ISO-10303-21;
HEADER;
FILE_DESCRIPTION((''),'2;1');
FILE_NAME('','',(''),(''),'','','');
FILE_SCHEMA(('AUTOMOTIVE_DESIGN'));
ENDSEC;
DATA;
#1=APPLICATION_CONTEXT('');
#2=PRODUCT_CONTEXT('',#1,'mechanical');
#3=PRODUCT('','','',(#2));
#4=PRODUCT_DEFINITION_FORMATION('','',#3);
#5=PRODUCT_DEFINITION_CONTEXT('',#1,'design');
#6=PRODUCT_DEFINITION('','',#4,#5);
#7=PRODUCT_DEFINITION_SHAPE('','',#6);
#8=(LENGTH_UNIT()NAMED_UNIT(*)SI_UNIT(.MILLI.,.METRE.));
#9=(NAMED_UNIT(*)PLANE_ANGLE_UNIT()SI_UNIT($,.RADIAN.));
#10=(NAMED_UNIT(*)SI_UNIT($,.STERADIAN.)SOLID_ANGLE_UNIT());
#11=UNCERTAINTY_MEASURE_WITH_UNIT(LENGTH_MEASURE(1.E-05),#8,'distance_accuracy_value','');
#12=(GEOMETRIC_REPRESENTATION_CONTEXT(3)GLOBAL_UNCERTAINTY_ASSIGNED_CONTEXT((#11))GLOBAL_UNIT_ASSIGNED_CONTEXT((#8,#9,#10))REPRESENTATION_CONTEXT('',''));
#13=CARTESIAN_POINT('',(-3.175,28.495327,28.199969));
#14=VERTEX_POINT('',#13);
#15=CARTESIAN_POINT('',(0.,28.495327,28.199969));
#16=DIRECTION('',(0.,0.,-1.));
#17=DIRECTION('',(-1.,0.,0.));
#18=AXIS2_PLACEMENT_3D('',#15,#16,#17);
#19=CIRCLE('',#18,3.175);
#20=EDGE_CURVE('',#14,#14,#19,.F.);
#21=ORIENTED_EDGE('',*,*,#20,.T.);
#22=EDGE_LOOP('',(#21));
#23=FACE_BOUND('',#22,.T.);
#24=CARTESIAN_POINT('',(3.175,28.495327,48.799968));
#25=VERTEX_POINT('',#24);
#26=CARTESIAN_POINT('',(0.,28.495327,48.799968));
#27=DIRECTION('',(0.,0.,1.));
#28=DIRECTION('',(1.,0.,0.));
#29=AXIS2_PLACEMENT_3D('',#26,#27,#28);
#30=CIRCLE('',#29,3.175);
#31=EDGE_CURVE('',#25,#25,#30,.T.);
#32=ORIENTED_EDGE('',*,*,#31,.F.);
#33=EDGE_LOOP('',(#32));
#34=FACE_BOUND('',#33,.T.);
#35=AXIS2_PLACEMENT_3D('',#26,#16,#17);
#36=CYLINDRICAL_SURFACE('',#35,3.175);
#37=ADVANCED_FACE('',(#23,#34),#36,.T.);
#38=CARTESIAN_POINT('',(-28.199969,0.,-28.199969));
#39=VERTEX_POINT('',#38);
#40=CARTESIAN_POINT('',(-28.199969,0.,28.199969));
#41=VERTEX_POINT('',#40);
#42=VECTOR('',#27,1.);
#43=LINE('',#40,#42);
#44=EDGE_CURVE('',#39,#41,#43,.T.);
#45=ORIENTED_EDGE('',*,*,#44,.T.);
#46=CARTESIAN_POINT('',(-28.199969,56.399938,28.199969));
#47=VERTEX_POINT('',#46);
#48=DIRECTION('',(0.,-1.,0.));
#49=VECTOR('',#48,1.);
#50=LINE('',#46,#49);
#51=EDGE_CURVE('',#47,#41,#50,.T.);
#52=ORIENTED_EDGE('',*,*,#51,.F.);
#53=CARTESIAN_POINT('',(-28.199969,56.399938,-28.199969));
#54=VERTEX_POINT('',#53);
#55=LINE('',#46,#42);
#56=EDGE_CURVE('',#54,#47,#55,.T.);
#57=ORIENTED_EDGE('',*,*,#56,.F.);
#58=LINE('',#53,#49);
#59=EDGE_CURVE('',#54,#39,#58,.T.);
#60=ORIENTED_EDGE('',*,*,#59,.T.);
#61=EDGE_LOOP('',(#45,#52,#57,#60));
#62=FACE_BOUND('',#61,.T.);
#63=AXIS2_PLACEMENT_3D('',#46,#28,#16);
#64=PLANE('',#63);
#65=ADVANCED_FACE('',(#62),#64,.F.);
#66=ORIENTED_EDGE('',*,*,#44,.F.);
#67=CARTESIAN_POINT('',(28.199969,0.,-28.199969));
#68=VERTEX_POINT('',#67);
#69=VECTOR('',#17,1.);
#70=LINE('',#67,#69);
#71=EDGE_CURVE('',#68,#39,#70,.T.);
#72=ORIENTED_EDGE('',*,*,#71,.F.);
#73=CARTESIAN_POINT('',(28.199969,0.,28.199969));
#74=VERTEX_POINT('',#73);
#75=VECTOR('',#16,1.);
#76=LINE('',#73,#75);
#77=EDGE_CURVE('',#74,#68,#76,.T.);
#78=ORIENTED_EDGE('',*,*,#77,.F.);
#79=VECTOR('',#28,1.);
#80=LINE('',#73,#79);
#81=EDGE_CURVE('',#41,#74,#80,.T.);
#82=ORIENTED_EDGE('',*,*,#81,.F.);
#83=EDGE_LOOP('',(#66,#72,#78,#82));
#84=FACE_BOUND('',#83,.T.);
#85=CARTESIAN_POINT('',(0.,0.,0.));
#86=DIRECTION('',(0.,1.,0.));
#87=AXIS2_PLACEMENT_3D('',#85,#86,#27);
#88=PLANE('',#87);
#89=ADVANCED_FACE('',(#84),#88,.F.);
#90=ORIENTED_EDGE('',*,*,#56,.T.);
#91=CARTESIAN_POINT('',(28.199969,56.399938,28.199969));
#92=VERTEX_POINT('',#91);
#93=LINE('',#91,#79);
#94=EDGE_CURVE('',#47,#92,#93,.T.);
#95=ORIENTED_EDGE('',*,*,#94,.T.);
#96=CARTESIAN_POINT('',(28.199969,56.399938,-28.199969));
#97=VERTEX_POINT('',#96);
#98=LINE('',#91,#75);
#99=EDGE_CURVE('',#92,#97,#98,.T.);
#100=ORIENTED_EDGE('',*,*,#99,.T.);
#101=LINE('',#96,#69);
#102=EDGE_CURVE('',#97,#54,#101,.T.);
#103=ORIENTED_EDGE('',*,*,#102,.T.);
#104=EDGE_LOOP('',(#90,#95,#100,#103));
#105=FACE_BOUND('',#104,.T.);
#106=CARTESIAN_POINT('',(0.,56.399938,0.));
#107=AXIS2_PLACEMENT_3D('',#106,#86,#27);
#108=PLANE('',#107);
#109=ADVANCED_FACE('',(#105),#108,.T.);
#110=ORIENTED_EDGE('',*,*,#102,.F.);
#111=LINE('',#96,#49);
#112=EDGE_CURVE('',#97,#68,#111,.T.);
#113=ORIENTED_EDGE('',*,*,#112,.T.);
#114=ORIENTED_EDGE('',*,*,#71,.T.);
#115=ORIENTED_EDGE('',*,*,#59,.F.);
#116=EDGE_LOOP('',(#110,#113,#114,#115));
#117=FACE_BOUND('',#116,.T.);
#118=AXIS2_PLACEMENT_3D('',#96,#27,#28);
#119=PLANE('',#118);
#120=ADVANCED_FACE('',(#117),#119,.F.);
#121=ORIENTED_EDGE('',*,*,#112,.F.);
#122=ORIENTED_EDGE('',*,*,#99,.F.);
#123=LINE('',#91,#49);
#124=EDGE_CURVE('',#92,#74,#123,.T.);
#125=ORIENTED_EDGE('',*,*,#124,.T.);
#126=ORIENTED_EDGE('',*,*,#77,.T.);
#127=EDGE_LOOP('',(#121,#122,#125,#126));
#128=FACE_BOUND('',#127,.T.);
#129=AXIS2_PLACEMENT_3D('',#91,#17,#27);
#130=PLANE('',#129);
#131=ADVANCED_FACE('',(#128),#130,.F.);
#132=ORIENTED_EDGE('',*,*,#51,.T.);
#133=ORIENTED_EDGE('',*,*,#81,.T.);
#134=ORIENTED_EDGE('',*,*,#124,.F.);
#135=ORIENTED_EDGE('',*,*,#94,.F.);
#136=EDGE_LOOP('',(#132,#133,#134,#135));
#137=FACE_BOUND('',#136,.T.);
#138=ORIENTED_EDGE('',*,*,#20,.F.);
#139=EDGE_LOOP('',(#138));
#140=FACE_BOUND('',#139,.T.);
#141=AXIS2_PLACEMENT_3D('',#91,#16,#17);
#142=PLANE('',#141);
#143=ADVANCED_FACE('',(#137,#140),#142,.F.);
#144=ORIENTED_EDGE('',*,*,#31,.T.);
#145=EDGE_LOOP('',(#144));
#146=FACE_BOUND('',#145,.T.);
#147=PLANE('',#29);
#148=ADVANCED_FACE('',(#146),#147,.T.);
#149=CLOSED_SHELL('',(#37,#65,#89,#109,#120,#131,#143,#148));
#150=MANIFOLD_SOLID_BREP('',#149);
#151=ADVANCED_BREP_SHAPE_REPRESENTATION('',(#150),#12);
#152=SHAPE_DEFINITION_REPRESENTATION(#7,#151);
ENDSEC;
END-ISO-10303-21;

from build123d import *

# Parameters (mm, degrees)
SKETCH1_W           = 56.399938
SKETCH1_H           = 56.399938
BOSS_EXTRUDE1_DEPTH = 56.399938
SKETCH2_R           = 3.175
BOSS_EXTRUDE2_DEPTH = 20.59999944


with BuildPart() as part:
    # Sketch1 → Boss-Extrude1 (new body)
    with BuildSketch(Plane(origin=(0, 0, 0), x_dir=(1, 0, 0), z_dir=(0, 1, 0))):
        Rectangle(SKETCH1_W, SKETCH1_H)
    extrude(amount=BOSS_EXTRUDE1_DEPTH)

    # Sketch2 → Boss-Extrude2 (add)
    with BuildSketch(Plane.XY.offset(28.199969)):
        with Locations((0, 28.495326657)):
            Circle(SKETCH2_R)
    extrude(amount=BOSS_EXTRUDE2_DEPTH)


solid = part.part
